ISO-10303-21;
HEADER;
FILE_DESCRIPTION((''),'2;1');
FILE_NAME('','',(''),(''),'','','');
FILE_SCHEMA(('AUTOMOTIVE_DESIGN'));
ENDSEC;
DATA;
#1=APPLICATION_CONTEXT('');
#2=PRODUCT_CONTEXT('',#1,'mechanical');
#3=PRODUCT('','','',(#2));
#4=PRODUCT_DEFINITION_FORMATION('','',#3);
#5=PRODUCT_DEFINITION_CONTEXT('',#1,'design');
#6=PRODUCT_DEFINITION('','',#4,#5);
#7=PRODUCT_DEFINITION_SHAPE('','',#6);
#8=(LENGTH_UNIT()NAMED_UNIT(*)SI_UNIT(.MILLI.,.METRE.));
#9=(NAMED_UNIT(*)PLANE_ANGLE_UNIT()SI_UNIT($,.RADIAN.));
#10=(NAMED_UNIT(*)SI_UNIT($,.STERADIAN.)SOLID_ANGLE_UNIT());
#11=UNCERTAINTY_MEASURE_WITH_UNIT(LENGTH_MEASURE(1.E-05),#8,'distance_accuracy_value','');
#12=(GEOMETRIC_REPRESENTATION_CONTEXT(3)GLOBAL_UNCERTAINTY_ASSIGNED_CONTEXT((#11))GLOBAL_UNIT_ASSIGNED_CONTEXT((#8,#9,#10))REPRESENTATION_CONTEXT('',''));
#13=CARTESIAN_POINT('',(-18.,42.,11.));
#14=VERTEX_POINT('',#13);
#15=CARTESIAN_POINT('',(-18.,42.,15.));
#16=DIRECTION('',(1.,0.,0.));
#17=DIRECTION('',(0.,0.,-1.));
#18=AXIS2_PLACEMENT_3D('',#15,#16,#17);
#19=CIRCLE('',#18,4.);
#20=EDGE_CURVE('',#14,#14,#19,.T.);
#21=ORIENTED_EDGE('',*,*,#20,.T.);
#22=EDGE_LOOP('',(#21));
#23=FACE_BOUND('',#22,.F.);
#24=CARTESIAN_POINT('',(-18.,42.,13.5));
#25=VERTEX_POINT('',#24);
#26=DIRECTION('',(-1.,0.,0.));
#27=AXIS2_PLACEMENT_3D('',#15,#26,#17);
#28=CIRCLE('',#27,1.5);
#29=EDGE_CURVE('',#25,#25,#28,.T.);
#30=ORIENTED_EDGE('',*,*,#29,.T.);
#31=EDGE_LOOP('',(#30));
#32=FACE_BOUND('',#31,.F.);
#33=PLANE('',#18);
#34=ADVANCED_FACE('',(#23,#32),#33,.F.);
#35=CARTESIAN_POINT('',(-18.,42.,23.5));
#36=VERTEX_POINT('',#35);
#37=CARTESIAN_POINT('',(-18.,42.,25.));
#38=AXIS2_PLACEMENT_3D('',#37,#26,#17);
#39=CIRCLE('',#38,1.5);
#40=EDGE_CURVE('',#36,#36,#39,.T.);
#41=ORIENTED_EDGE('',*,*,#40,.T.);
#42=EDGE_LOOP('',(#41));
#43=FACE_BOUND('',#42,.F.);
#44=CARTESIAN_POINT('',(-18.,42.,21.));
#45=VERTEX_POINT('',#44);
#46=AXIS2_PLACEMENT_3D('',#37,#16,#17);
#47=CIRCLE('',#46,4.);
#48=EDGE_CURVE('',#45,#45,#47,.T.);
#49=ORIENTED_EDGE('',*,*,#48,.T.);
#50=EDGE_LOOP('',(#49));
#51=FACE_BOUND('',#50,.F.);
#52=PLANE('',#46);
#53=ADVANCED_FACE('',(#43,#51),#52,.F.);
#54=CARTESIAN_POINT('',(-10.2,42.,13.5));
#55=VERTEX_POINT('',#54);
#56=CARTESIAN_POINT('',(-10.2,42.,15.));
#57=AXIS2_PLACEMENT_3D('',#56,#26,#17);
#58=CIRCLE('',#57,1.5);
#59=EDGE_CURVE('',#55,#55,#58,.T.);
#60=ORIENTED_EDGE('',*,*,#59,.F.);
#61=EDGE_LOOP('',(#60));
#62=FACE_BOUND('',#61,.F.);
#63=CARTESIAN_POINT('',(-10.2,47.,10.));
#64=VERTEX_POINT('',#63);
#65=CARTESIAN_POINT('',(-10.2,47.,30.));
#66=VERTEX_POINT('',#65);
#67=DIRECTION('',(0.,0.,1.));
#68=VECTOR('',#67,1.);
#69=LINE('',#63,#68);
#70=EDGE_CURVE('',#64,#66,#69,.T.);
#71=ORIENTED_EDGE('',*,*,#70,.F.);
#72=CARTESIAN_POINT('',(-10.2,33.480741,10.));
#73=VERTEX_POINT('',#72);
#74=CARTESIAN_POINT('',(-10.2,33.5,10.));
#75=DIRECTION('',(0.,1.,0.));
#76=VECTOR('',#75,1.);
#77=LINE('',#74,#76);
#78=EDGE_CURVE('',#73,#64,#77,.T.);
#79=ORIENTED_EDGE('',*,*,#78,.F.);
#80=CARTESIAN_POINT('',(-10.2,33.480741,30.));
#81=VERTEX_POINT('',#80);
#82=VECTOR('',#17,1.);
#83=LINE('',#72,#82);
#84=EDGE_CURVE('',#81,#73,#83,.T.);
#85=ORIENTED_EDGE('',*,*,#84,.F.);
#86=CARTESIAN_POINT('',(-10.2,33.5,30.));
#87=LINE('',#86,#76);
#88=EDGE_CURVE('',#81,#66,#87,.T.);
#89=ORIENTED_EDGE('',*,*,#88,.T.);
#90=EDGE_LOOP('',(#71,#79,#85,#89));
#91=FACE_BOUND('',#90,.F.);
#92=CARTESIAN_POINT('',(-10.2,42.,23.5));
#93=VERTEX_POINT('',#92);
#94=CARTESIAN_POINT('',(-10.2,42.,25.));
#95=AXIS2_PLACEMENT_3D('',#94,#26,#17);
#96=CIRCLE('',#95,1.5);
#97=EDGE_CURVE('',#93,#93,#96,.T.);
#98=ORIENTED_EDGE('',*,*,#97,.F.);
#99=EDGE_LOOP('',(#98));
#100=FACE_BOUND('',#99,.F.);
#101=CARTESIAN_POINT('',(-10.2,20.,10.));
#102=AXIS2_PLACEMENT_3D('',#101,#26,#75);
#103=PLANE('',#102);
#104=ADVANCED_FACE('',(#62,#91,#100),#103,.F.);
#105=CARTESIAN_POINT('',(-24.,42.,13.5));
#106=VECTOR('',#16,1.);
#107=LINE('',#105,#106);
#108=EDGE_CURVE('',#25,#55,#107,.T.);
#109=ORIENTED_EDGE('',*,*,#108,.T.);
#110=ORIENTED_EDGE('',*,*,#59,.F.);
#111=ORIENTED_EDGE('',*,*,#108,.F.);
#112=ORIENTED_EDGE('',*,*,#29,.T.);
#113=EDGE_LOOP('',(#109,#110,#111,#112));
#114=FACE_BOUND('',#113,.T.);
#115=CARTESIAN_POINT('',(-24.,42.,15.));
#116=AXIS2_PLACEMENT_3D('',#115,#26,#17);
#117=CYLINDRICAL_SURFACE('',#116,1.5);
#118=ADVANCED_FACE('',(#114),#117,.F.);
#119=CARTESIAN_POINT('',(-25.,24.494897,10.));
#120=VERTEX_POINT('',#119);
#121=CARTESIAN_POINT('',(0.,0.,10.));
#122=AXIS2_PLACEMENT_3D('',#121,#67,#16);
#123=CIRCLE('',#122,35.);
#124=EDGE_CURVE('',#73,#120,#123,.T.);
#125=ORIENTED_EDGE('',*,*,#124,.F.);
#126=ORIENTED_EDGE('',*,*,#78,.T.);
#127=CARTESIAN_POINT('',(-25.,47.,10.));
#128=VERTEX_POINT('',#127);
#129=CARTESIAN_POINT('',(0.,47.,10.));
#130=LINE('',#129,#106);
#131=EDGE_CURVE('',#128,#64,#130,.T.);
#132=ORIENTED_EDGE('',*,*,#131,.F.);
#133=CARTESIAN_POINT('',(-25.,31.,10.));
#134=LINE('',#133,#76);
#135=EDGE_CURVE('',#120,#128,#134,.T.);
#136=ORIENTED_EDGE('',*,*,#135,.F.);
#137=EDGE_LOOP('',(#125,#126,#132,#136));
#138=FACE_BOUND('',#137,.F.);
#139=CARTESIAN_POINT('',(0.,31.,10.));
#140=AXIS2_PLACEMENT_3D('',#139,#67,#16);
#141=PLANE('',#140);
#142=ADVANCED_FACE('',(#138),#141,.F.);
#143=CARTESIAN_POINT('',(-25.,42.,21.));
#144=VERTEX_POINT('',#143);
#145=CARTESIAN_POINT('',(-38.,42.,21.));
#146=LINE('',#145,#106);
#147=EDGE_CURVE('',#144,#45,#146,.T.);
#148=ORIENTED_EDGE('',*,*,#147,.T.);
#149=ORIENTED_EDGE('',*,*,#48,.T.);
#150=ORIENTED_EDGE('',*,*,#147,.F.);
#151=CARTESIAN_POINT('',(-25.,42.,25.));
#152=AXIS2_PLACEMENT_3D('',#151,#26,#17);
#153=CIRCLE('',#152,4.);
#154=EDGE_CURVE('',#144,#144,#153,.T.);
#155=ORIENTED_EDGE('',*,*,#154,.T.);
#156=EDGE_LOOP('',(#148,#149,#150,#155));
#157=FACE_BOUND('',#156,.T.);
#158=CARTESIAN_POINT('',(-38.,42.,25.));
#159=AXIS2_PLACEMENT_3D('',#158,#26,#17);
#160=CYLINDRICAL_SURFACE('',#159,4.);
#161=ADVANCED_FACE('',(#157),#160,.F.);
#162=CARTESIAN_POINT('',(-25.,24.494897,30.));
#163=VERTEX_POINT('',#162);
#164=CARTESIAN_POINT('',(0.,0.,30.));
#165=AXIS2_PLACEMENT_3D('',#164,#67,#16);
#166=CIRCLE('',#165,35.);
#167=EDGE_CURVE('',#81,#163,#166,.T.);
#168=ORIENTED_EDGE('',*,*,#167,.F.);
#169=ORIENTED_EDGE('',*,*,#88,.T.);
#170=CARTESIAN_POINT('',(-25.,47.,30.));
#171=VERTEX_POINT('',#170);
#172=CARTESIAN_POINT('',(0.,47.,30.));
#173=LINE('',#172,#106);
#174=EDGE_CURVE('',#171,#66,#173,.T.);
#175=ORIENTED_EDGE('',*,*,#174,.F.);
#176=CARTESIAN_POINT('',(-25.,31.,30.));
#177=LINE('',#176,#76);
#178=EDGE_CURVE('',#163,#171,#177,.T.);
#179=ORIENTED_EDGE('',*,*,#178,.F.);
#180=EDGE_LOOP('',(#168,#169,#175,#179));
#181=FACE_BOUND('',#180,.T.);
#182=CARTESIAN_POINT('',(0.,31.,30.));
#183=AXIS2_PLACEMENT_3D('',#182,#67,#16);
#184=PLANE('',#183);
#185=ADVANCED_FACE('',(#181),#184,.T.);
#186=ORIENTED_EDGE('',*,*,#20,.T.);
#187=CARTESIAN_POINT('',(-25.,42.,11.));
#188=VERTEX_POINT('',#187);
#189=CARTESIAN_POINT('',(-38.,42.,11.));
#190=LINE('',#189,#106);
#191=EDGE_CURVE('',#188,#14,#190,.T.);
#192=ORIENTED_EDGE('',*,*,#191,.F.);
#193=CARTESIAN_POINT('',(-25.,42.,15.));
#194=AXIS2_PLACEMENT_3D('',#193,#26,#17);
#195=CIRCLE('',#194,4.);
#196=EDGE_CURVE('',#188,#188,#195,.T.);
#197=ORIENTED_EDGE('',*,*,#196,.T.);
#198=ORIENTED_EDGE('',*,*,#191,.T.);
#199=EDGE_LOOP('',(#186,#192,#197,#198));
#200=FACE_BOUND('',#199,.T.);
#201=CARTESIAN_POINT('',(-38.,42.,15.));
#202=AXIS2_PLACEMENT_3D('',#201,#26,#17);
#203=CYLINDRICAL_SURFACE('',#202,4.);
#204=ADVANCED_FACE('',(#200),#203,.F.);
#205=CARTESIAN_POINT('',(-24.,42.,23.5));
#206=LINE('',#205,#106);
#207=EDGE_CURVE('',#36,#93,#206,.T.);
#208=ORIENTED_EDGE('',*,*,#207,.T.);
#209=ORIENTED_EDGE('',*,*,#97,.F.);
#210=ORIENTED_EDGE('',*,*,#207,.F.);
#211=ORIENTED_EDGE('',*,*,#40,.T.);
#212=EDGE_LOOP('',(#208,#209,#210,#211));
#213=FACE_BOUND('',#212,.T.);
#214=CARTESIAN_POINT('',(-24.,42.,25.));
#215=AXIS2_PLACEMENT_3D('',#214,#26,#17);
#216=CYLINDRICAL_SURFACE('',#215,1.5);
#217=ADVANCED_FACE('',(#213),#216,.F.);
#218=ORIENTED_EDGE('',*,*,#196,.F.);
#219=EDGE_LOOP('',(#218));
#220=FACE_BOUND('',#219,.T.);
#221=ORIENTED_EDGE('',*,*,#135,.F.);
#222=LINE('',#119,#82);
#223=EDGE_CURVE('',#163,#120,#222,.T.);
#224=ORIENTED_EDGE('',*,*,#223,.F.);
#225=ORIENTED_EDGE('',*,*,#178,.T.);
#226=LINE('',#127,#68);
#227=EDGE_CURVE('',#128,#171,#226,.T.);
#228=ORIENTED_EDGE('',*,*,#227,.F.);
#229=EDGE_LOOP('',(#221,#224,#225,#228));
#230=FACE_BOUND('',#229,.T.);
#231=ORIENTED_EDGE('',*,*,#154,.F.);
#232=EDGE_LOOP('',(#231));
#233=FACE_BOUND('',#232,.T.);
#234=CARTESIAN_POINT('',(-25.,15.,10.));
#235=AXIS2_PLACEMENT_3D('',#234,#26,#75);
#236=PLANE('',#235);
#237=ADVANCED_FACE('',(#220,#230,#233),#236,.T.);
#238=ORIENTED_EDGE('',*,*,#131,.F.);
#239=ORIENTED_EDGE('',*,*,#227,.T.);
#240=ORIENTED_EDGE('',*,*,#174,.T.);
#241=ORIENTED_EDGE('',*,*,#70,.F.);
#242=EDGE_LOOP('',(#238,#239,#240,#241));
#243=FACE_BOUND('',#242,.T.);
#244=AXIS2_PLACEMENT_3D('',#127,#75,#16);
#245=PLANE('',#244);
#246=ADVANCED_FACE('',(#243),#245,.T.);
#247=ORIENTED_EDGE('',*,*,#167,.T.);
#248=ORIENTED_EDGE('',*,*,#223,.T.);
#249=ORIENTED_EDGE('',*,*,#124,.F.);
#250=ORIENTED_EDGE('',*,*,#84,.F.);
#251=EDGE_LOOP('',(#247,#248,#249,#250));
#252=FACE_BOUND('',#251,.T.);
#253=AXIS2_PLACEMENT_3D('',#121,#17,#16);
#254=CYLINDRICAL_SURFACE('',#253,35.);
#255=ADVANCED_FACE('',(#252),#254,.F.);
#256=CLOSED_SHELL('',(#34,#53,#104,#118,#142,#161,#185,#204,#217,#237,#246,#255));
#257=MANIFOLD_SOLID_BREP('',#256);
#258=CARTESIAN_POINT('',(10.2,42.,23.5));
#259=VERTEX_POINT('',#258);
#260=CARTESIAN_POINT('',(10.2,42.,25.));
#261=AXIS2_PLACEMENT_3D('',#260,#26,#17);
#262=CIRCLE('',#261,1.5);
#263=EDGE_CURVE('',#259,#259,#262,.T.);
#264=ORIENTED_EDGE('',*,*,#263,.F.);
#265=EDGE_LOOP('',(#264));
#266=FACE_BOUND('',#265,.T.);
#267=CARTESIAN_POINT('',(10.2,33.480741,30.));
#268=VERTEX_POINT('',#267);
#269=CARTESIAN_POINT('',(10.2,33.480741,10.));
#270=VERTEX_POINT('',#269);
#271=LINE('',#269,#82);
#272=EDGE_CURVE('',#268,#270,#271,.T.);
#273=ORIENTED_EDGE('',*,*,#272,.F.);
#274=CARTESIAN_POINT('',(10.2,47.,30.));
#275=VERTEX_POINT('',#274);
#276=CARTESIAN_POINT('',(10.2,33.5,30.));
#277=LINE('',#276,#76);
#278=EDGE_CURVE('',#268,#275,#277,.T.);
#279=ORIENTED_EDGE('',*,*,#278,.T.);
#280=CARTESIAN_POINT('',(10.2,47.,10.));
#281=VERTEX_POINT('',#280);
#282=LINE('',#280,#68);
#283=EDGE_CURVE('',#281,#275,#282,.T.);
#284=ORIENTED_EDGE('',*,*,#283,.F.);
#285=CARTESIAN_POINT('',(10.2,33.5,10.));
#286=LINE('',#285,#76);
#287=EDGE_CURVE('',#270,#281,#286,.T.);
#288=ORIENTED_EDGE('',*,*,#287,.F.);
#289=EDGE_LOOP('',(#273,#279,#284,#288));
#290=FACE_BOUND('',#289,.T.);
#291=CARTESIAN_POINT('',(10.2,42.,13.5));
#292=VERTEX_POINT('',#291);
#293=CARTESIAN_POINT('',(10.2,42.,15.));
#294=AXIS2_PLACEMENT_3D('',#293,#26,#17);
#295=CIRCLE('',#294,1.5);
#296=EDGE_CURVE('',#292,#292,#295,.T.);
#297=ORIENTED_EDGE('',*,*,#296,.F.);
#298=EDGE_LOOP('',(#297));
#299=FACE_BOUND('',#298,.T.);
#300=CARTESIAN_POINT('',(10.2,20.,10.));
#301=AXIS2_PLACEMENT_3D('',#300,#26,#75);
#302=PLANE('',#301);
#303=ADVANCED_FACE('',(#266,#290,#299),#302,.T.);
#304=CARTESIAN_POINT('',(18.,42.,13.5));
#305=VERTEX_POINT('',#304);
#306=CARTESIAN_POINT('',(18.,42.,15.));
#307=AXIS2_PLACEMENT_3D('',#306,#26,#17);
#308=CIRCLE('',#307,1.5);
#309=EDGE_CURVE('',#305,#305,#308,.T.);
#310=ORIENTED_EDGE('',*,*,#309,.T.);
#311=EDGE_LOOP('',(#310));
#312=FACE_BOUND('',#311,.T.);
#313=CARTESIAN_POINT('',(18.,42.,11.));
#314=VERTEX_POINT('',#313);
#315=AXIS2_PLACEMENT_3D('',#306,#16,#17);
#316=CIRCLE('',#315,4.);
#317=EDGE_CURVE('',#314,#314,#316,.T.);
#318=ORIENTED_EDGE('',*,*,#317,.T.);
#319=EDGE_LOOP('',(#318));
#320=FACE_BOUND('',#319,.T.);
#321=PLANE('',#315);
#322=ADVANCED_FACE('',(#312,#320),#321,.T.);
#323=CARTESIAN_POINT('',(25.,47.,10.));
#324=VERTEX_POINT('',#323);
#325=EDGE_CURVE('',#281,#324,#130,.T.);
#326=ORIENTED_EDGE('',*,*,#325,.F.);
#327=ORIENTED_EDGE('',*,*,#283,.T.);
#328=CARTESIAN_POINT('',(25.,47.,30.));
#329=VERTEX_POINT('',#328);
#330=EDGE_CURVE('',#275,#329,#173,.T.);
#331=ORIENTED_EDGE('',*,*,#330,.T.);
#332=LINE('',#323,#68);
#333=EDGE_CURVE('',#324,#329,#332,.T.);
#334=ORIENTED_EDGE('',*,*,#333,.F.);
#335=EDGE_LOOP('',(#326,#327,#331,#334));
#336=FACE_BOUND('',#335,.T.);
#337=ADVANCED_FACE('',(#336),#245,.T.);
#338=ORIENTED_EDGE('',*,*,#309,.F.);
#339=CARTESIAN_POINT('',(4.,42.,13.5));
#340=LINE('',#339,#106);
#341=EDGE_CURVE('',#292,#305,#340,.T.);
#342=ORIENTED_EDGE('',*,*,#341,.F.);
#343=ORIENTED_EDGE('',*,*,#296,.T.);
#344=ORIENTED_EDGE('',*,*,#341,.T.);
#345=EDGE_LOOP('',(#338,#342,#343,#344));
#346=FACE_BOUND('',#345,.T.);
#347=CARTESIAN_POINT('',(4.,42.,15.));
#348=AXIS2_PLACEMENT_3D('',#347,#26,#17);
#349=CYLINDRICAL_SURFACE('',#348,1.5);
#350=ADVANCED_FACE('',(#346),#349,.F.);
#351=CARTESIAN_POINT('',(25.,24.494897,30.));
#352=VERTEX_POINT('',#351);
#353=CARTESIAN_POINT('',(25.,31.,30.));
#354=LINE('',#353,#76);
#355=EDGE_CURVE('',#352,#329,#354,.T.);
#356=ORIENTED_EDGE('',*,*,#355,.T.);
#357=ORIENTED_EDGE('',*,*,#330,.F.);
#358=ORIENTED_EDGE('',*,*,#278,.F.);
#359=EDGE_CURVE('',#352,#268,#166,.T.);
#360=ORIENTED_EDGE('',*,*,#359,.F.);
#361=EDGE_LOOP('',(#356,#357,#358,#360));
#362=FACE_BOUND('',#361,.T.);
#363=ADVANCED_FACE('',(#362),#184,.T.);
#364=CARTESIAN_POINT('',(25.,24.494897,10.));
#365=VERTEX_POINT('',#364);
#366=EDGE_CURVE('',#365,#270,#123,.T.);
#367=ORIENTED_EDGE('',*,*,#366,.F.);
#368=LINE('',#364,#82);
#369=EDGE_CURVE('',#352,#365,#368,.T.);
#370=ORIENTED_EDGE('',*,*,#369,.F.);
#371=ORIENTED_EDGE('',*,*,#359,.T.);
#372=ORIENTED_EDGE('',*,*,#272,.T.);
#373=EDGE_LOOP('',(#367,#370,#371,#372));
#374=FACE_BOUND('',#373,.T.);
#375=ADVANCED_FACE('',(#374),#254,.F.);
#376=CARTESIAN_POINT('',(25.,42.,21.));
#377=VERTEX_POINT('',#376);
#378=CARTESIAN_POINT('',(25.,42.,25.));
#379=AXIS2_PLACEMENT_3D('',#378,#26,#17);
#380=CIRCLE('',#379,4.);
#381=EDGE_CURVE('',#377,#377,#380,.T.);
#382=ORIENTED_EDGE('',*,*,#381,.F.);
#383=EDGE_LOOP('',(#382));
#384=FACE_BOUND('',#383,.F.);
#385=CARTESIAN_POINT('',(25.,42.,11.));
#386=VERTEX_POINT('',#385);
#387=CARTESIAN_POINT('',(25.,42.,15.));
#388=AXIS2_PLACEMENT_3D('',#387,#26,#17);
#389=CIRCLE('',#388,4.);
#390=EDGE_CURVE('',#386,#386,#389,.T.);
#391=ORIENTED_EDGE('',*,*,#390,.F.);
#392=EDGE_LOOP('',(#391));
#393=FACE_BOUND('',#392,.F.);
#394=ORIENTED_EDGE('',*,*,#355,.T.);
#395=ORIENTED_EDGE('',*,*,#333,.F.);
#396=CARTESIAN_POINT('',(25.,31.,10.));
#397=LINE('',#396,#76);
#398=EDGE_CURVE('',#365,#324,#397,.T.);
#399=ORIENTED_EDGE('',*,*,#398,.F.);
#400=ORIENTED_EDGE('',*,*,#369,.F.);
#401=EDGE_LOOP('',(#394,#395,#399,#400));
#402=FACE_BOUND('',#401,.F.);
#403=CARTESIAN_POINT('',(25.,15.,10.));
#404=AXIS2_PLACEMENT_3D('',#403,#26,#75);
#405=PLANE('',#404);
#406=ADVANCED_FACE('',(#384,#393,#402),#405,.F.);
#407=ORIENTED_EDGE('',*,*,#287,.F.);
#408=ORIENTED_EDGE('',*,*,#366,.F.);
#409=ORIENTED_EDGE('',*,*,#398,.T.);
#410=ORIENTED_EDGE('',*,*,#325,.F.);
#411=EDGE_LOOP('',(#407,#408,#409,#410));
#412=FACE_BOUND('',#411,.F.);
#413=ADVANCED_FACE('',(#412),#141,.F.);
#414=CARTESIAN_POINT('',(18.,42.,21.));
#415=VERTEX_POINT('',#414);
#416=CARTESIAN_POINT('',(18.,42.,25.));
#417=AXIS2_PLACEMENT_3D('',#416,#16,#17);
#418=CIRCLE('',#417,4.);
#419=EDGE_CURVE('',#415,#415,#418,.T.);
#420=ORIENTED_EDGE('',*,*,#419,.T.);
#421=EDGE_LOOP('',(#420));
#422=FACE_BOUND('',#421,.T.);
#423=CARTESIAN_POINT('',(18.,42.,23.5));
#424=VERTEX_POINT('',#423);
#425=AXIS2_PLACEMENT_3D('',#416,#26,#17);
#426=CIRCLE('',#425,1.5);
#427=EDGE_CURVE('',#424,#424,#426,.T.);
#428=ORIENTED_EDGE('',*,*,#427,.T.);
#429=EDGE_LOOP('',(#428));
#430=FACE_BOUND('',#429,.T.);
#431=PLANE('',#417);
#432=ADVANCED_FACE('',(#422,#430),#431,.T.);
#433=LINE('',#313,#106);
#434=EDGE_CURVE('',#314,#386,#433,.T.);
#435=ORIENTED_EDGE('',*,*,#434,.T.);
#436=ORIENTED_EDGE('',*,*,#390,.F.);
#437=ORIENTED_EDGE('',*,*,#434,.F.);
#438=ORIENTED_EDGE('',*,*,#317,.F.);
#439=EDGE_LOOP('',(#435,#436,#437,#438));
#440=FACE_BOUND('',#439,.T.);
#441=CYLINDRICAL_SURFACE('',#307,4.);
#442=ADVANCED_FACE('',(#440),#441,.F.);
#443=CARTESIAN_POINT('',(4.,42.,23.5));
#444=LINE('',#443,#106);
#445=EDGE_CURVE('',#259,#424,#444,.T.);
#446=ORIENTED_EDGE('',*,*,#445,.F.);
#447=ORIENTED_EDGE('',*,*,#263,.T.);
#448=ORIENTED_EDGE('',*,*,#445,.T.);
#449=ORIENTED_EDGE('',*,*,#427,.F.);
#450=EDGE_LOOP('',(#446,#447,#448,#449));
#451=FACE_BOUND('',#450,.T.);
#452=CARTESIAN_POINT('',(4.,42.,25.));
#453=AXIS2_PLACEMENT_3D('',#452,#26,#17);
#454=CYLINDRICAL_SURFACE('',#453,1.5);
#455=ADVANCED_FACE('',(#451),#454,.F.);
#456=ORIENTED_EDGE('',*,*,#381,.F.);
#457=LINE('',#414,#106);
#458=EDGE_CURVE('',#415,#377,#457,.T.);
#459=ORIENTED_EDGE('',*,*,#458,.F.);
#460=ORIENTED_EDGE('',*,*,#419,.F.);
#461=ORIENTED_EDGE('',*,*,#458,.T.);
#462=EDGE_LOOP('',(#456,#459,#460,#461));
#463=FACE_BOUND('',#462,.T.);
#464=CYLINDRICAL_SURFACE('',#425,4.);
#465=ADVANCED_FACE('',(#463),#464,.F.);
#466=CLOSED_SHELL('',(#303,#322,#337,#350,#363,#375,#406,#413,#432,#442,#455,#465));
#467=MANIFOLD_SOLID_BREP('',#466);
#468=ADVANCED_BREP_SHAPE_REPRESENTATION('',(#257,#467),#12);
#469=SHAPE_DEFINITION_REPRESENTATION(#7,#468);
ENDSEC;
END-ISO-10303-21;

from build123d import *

# Parameters (mm, degrees)
CYLINDER1981_R     = 1.5
CYLINDER1981_DEPTH = 20
CYLINDER1985_R     = 1.5
CYLINDER1985_DEPTH = 20
CYLINDER1987_R     = 1.5
CYLINDER1987_DEPTH = 20
CYLINDER1973_R     = 1.5
CYLINDER1973_DEPTH = 20
CYLINDER1978_R     = 4
CYLINDER1978_DEPTH = 20
CYLINDER1988_R     = 4
CYLINDER1988_DEPTH = 20
CYLINDER1986_R     = 4
CYLINDER1986_DEPTH = 20
CYLINDER1976_R     = 4
CYLINDER1976_DEPTH = 20
BOX764_W           = 20.4
BOX764_H           = 27
BOX764_DEPTH       = 20
CYLINDER1983_R     = 35
CYLINDER1983_DEPTH = 20
BOX766_W           = 50
BOX766_H           = 32
BOX766_DEPTH       = 20


with BuildPart() as v_lec1981:
    # Cylinder1981 → Cylinder1981 (new body)
    with BuildSketch(Plane(origin=(-24, 38, 25), x_dir=(0, 0, -1), z_dir=(1, 0, 0))):
        Circle(CYLINDER1981_R)
    extrude(amount=CYLINDER1981_DEPTH)


with BuildPart() as v_lec1985:
    # Cylinder1985 → Cylinder1985 (new body)
    with BuildSketch(Plane(origin=(4, 38, 15), x_dir=(0, 0, -1), z_dir=(1, 0, 0))):
        Circle(CYLINDER1985_R)
    extrude(amount=CYLINDER1985_DEPTH)


with BuildPart() as v_lec1987:
    # Cylinder1987 → Cylinder1987 (new body)
    with BuildSketch(Plane(origin=(-24, 38, 15), x_dir=(0, 0, -1), z_dir=(1, 0, 0))):
        Circle(CYLINDER1987_R)
    extrude(amount=CYLINDER1987_DEPTH)


with BuildPart() as compound940:
    # Cylinder1973 → Cylinder1973 (new body)
    with BuildSketch(Plane(origin=(4, 38, 25), x_dir=(0, 0, -1), z_dir=(1, 0, 0))):
        Circle(CYLINDER1973_R)
    extrude(amount=CYLINDER1973_DEPTH)

    # Compound940: union Válec1981, Válec1985, Válec1987
    add(v_lec1981.part)
    add(v_lec1985.part)
    add(v_lec1987.part)


with BuildPart() as compound940_1:
    # Compound940 placement: moved
    add(compound940.part.moved(Location((0, 4, 0))))


with BuildPart() as v_lec1978:
    # Cylinder1978 → Cylinder1978 (new body)
    with BuildSketch(Plane(origin=(-38, 38, 25), x_dir=(0, 0, -1), z_dir=(1, 0, 0))):
        Circle(CYLINDER1978_R)
    extrude(amount=CYLINDER1978_DEPTH)


with BuildPart() as v_lec1988:
    # Cylinder1988 → Cylinder1988 (new body)
    with BuildSketch(Plane(origin=(18, 38, 15), x_dir=(0, 0, -1), z_dir=(1, 0, 0))):
        Circle(CYLINDER1988_R)
    extrude(amount=CYLINDER1988_DEPTH)


with BuildPart() as v_lec1986:
    # Cylinder1986 → Cylinder1986 (new body)
    with BuildSketch(Plane(origin=(-38, 38, 15), x_dir=(0, 0, -1), z_dir=(1, 0, 0))):
        Circle(CYLINDER1986_R)
    extrude(amount=CYLINDER1986_DEPTH)


with BuildPart() as compound937:
    # Cylinder1976 → Cylinder1976 (new body)
    with BuildSketch(Plane(origin=(18, 38, 25), x_dir=(0, 0, -1), z_dir=(1, 0, 0))):
        Circle(CYLINDER1976_R)
    extrude(amount=CYLINDER1976_DEPTH)

    # Compound937: union Válec1978, Válec1988, Válec1986
    add(v_lec1978.part)
    add(v_lec1988.part)
    add(v_lec1986.part)


with BuildPart() as compound937_1:
    # Compound937 placement: moved
    add(compound937.part.moved(Location((0, 4, 0))))


with BuildPart() as krychle764:
    # Box764 → Box764 (new body)
    with BuildSketch(Plane(origin=(-10.2, 20, 10), x_dir=(1, 0, 0), z_dir=(0, 0, 1))):
        with Locations((10.2, 13.5)):
            Rectangle(BOX764_W, BOX764_H)
    extrude(amount=BOX764_DEPTH)


with BuildPart() as v_lec1983:
    # Cylinder1983 → Cylinder1983 (new body)
    with BuildSketch(Plane.XY.offset(10)):
        Circle(CYLINDER1983_R)
    extrude(amount=CYLINDER1983_DEPTH)


with BuildPart() as cut594:
    # Box766 → Box766 (new body)
    with BuildSketch(Plane(origin=(-25, 15, 10), x_dir=(1, 0, 0), z_dir=(0, 0, 1))):
        with Locations((25, 16)):
            Rectangle(BOX766_W, BOX766_H)
    extrude(amount=BOX766_DEPTH)

    # Cut592: cut Válec1983
    add(v_lec1983.part, mode=Mode.SUBTRACT)

    # Cut595: cut Krychle764
    add(krychle764.part, mode=Mode.SUBTRACT)

    # Cut596: cut Compound937
    add(compound937_1.part, mode=Mode.SUBTRACT)

    # Cut594: cut Compound940
    add(compound940_1.part, mode=Mode.SUBTRACT)


solid = cut594.part
